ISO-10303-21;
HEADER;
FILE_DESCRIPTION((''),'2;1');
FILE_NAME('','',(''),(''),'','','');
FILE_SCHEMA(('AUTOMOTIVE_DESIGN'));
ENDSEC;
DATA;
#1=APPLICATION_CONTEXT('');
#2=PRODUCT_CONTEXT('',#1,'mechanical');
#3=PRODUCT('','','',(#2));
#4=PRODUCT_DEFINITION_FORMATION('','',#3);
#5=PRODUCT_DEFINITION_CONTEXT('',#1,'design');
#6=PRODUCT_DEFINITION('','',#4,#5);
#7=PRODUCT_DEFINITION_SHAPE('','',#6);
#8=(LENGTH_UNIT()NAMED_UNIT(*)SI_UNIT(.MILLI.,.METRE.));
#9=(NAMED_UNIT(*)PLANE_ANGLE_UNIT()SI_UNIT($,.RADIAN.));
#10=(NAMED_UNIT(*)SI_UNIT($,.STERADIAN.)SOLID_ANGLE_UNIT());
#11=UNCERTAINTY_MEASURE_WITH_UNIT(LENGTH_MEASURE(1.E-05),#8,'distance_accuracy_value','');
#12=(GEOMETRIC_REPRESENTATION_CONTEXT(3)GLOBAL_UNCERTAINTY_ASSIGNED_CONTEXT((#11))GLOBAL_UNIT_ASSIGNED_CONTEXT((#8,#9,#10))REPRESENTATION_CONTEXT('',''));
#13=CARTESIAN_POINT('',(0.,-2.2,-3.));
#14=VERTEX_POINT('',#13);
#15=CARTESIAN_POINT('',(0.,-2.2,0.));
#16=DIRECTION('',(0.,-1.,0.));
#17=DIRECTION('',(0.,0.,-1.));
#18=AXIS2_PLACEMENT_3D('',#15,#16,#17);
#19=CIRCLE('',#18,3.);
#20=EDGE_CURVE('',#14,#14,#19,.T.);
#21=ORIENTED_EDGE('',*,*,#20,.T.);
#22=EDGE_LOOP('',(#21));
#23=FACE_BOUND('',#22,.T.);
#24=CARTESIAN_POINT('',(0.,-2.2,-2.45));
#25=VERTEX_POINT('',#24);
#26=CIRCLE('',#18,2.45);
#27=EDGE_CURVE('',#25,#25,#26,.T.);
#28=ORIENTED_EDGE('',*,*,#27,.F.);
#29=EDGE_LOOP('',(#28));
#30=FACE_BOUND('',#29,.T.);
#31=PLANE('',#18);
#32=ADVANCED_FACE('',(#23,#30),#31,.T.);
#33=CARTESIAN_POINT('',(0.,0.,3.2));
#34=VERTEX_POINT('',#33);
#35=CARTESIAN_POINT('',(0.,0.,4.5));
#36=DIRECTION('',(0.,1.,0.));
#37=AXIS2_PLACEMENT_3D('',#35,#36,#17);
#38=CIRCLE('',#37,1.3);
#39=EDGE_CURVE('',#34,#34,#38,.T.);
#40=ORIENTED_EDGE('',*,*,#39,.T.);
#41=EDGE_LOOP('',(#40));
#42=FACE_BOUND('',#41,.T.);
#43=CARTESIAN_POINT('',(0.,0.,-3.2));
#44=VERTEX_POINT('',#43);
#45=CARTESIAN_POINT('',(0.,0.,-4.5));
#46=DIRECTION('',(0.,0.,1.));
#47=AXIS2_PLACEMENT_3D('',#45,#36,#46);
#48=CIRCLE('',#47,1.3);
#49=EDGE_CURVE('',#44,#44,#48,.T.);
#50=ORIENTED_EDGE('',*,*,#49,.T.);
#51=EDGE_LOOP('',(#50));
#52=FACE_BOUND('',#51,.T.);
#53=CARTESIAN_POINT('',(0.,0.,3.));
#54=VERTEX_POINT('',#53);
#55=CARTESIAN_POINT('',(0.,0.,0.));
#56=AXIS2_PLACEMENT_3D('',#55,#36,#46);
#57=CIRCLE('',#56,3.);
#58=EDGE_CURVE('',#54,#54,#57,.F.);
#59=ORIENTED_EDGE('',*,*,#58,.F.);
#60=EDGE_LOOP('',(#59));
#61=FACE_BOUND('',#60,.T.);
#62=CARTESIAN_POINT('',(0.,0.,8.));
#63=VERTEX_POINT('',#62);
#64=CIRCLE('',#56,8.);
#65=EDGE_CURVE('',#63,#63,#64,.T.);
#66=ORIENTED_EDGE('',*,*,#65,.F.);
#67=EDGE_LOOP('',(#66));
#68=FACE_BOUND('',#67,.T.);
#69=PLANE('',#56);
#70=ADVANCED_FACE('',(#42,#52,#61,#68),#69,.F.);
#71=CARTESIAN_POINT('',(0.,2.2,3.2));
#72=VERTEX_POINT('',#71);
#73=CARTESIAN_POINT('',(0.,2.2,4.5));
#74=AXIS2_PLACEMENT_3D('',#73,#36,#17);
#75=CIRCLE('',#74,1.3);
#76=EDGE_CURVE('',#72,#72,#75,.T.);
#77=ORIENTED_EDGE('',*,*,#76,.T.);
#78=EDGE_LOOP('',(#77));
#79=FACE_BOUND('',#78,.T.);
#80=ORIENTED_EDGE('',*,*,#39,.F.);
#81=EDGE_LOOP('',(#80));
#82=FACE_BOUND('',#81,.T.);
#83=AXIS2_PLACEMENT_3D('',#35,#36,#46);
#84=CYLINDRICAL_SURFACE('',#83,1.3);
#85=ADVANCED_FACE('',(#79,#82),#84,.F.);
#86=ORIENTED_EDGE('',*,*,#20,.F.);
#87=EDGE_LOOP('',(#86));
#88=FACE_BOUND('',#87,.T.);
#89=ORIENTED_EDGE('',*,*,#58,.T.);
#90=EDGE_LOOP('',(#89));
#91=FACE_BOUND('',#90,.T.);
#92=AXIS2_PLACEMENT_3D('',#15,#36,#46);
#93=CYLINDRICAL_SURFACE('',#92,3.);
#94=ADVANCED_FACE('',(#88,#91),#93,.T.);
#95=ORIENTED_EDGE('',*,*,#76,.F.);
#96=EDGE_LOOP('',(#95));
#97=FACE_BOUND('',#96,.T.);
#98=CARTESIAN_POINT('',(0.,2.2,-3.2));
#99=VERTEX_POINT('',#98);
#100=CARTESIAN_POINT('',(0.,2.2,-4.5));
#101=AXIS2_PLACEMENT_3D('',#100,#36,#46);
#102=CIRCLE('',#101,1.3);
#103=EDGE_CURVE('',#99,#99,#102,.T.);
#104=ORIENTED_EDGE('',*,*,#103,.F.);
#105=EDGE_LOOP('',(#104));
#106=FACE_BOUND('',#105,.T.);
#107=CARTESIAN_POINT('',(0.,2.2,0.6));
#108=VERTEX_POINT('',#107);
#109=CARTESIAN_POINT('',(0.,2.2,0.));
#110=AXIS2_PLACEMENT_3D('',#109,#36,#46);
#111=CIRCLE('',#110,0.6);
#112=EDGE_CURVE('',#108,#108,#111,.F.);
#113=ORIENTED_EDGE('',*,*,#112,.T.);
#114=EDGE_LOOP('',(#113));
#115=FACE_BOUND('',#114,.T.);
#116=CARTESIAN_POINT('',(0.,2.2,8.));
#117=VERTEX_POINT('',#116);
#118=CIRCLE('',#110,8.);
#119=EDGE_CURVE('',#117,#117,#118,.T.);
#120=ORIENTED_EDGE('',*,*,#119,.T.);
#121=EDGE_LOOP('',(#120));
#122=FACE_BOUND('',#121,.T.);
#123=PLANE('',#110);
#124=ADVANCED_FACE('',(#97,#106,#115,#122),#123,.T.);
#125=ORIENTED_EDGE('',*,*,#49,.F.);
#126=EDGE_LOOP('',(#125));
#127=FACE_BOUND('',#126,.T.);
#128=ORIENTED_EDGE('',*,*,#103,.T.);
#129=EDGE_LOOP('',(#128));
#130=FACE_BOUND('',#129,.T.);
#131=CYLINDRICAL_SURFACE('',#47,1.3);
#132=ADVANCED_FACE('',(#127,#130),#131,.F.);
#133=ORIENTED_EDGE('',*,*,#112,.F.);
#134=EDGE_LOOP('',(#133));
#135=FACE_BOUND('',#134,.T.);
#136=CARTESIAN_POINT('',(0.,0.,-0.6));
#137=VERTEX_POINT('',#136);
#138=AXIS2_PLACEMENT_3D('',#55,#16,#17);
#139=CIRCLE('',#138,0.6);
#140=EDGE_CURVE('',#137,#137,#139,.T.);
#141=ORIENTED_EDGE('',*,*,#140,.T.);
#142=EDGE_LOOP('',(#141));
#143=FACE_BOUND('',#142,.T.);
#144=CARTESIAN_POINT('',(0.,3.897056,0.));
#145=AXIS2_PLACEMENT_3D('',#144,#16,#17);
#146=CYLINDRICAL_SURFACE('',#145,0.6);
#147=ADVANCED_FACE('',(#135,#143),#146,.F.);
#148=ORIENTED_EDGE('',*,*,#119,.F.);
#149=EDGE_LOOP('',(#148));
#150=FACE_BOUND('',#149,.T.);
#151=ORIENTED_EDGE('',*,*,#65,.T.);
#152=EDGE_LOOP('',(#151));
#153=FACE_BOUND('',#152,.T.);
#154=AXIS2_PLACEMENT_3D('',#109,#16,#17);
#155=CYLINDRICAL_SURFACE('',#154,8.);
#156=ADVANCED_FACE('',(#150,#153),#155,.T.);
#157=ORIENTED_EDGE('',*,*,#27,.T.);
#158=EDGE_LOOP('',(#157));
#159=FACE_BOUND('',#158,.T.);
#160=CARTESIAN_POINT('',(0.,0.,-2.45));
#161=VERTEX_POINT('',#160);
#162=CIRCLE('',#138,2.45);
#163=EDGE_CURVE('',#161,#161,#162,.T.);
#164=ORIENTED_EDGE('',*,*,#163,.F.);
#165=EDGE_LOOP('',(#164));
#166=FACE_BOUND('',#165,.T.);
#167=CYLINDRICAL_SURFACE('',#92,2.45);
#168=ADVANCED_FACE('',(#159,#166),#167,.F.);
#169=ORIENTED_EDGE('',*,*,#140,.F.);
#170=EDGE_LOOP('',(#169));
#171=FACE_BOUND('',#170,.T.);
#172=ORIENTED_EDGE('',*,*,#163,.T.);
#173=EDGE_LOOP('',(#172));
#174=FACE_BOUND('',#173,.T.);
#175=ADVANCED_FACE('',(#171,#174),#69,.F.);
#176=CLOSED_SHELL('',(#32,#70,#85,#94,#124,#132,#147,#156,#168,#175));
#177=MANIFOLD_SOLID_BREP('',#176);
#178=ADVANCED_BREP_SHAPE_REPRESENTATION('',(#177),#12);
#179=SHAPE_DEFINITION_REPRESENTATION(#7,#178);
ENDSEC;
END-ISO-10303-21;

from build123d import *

# Parameters (mm, degrees)
SKETCH1_R           = 8
BOSS_EXTRUDE1_DEPTH = 2.2
SKETCH2_R           = 1.3
CUT_EXTRUDE1_DEPTH  = 2.2
SKETCH3_R           = 3
SKETCH3_R_2         = 2.45
BOSS_EXTRUDE2_DEPTH = 2.2
SKETCH8_R           = 0.6
CUT_EXTRUDE7_DEPTH  = 2.2


with BuildPart() as part:
    # Sketch1 → Boss-Extrude1 (new body)
    with BuildSketch(Plane(origin=(0, 0, 0), x_dir=(1, 0, 0), z_dir=(0, 1, 0))):
        with Locations(Location((0, 0, 0), (0, 0, 270))):
            Circle(SKETCH1_R)
    extrude(amount=BOSS_EXTRUDE1_DEPTH)

    # Sketch2 → Cut-Extrude1 (cut)
    with BuildSketch(Plane(origin=(0, 2.2, 0), x_dir=(1, 0, 0), z_dir=(0, 1, 0))):
        with Locations(Location((0, 4.5, 0), (0, 0, 270))):
            Circle(SKETCH2_R)
        with Locations(Location((0, -4.5, 0), (0, 0, 90))):
            Circle(SKETCH2_R)
    extrude(amount=-CUT_EXTRUDE1_DEPTH, mode=Mode.SUBTRACT)

    # Sketch3 → Boss-Extrude2 (add)
    with BuildSketch(Plane.XZ):
        with Locations(Location((0, 0, 0), (0, 0, 90))):
            Circle(SKETCH3_R)
        with Locations(Location((0, 0, 0), (0, 0, 270))):
            Circle(SKETCH3_R_2, mode=Mode.SUBTRACT)
    extrude(amount=BOSS_EXTRUDE2_DEPTH)

    # Sketch8 → Cut-Extrude7 (cut)
    with BuildSketch(Plane.XZ):
        with Locations(Location((0, 0, 0), (0, 0, 270))):
            Circle(SKETCH8_R)
    extrude(amount=-CUT_EXTRUDE7_DEPTH, mode=Mode.SUBTRACT)


solid = part.part
